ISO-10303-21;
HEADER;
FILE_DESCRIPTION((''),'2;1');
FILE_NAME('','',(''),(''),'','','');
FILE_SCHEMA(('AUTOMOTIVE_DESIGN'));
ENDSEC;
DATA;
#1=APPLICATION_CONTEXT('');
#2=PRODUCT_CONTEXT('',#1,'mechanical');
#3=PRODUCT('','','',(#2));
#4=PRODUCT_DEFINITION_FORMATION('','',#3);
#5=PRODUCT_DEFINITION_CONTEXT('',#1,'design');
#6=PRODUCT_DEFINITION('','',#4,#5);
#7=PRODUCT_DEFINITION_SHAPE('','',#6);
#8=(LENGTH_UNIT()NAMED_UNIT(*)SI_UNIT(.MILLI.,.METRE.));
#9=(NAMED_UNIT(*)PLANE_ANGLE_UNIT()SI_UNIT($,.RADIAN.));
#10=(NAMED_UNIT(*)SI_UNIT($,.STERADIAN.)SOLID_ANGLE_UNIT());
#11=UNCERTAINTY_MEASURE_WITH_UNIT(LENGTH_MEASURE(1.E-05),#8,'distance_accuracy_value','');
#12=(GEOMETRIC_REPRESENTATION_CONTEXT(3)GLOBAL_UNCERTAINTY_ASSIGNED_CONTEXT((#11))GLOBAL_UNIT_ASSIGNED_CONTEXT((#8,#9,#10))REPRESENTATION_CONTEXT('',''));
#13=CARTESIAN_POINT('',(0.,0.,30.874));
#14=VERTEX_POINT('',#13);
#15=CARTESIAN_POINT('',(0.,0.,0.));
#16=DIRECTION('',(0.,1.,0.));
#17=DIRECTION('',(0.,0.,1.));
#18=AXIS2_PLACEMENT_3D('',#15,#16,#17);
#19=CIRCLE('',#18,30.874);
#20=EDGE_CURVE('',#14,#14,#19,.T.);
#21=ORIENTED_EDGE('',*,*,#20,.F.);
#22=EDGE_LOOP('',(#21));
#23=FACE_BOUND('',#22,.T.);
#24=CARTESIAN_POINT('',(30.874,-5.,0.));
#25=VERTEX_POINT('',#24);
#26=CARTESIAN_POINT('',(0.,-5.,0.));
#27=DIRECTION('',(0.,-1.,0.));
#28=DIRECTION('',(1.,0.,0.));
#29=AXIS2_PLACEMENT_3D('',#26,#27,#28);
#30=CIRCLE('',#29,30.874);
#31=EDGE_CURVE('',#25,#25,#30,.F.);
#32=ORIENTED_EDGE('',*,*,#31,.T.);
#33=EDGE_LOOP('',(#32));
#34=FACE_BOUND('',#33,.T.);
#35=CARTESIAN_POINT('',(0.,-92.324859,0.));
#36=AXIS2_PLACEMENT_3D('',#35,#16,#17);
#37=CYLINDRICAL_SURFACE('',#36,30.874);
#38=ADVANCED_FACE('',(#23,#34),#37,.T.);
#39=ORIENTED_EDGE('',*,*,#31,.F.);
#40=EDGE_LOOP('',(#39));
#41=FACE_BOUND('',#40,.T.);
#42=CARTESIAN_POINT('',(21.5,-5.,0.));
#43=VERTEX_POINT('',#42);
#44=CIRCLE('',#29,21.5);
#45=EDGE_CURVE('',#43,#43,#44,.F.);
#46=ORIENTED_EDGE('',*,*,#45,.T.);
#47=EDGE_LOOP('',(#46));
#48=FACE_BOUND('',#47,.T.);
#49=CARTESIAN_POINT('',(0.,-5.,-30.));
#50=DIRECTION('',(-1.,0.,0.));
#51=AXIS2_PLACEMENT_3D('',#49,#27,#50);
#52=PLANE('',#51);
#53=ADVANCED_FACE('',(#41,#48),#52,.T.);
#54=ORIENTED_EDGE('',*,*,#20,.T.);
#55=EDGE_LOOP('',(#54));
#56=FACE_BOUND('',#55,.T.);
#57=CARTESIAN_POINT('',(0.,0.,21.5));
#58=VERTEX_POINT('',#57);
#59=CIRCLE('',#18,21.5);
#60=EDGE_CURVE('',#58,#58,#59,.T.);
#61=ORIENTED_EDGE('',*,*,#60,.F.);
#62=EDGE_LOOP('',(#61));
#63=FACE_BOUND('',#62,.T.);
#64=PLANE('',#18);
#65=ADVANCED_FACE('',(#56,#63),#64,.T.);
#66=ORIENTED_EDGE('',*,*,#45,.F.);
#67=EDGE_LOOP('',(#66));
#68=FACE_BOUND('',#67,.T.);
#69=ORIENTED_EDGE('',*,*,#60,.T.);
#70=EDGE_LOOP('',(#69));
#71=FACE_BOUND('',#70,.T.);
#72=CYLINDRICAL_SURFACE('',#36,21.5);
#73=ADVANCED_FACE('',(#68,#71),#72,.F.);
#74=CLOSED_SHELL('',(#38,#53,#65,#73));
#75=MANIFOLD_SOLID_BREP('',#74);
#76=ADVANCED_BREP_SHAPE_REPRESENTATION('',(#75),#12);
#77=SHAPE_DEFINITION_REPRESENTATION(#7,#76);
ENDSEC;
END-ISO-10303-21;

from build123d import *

# Parameters (mm, degrees)
SKETCH_1_R      = 30.874
SKETCH_1_R_2    = 21.5
EXTRUDE_1_DEPTH = 5


with BuildPart() as part:
    # Эскиз1 → Бобышка-Вытянуть1 (new body)
    with BuildSketch(Plane(origin=(0, 0, 0), x_dir=(1, 0, 0), z_dir=(0, 1, 0))):
        Circle(SKETCH_1_R)
        Circle(SKETCH_1_R_2, mode=Mode.SUBTRACT)
    extrude(amount=-EXTRUDE_1_DEPTH)


solid = part.part
